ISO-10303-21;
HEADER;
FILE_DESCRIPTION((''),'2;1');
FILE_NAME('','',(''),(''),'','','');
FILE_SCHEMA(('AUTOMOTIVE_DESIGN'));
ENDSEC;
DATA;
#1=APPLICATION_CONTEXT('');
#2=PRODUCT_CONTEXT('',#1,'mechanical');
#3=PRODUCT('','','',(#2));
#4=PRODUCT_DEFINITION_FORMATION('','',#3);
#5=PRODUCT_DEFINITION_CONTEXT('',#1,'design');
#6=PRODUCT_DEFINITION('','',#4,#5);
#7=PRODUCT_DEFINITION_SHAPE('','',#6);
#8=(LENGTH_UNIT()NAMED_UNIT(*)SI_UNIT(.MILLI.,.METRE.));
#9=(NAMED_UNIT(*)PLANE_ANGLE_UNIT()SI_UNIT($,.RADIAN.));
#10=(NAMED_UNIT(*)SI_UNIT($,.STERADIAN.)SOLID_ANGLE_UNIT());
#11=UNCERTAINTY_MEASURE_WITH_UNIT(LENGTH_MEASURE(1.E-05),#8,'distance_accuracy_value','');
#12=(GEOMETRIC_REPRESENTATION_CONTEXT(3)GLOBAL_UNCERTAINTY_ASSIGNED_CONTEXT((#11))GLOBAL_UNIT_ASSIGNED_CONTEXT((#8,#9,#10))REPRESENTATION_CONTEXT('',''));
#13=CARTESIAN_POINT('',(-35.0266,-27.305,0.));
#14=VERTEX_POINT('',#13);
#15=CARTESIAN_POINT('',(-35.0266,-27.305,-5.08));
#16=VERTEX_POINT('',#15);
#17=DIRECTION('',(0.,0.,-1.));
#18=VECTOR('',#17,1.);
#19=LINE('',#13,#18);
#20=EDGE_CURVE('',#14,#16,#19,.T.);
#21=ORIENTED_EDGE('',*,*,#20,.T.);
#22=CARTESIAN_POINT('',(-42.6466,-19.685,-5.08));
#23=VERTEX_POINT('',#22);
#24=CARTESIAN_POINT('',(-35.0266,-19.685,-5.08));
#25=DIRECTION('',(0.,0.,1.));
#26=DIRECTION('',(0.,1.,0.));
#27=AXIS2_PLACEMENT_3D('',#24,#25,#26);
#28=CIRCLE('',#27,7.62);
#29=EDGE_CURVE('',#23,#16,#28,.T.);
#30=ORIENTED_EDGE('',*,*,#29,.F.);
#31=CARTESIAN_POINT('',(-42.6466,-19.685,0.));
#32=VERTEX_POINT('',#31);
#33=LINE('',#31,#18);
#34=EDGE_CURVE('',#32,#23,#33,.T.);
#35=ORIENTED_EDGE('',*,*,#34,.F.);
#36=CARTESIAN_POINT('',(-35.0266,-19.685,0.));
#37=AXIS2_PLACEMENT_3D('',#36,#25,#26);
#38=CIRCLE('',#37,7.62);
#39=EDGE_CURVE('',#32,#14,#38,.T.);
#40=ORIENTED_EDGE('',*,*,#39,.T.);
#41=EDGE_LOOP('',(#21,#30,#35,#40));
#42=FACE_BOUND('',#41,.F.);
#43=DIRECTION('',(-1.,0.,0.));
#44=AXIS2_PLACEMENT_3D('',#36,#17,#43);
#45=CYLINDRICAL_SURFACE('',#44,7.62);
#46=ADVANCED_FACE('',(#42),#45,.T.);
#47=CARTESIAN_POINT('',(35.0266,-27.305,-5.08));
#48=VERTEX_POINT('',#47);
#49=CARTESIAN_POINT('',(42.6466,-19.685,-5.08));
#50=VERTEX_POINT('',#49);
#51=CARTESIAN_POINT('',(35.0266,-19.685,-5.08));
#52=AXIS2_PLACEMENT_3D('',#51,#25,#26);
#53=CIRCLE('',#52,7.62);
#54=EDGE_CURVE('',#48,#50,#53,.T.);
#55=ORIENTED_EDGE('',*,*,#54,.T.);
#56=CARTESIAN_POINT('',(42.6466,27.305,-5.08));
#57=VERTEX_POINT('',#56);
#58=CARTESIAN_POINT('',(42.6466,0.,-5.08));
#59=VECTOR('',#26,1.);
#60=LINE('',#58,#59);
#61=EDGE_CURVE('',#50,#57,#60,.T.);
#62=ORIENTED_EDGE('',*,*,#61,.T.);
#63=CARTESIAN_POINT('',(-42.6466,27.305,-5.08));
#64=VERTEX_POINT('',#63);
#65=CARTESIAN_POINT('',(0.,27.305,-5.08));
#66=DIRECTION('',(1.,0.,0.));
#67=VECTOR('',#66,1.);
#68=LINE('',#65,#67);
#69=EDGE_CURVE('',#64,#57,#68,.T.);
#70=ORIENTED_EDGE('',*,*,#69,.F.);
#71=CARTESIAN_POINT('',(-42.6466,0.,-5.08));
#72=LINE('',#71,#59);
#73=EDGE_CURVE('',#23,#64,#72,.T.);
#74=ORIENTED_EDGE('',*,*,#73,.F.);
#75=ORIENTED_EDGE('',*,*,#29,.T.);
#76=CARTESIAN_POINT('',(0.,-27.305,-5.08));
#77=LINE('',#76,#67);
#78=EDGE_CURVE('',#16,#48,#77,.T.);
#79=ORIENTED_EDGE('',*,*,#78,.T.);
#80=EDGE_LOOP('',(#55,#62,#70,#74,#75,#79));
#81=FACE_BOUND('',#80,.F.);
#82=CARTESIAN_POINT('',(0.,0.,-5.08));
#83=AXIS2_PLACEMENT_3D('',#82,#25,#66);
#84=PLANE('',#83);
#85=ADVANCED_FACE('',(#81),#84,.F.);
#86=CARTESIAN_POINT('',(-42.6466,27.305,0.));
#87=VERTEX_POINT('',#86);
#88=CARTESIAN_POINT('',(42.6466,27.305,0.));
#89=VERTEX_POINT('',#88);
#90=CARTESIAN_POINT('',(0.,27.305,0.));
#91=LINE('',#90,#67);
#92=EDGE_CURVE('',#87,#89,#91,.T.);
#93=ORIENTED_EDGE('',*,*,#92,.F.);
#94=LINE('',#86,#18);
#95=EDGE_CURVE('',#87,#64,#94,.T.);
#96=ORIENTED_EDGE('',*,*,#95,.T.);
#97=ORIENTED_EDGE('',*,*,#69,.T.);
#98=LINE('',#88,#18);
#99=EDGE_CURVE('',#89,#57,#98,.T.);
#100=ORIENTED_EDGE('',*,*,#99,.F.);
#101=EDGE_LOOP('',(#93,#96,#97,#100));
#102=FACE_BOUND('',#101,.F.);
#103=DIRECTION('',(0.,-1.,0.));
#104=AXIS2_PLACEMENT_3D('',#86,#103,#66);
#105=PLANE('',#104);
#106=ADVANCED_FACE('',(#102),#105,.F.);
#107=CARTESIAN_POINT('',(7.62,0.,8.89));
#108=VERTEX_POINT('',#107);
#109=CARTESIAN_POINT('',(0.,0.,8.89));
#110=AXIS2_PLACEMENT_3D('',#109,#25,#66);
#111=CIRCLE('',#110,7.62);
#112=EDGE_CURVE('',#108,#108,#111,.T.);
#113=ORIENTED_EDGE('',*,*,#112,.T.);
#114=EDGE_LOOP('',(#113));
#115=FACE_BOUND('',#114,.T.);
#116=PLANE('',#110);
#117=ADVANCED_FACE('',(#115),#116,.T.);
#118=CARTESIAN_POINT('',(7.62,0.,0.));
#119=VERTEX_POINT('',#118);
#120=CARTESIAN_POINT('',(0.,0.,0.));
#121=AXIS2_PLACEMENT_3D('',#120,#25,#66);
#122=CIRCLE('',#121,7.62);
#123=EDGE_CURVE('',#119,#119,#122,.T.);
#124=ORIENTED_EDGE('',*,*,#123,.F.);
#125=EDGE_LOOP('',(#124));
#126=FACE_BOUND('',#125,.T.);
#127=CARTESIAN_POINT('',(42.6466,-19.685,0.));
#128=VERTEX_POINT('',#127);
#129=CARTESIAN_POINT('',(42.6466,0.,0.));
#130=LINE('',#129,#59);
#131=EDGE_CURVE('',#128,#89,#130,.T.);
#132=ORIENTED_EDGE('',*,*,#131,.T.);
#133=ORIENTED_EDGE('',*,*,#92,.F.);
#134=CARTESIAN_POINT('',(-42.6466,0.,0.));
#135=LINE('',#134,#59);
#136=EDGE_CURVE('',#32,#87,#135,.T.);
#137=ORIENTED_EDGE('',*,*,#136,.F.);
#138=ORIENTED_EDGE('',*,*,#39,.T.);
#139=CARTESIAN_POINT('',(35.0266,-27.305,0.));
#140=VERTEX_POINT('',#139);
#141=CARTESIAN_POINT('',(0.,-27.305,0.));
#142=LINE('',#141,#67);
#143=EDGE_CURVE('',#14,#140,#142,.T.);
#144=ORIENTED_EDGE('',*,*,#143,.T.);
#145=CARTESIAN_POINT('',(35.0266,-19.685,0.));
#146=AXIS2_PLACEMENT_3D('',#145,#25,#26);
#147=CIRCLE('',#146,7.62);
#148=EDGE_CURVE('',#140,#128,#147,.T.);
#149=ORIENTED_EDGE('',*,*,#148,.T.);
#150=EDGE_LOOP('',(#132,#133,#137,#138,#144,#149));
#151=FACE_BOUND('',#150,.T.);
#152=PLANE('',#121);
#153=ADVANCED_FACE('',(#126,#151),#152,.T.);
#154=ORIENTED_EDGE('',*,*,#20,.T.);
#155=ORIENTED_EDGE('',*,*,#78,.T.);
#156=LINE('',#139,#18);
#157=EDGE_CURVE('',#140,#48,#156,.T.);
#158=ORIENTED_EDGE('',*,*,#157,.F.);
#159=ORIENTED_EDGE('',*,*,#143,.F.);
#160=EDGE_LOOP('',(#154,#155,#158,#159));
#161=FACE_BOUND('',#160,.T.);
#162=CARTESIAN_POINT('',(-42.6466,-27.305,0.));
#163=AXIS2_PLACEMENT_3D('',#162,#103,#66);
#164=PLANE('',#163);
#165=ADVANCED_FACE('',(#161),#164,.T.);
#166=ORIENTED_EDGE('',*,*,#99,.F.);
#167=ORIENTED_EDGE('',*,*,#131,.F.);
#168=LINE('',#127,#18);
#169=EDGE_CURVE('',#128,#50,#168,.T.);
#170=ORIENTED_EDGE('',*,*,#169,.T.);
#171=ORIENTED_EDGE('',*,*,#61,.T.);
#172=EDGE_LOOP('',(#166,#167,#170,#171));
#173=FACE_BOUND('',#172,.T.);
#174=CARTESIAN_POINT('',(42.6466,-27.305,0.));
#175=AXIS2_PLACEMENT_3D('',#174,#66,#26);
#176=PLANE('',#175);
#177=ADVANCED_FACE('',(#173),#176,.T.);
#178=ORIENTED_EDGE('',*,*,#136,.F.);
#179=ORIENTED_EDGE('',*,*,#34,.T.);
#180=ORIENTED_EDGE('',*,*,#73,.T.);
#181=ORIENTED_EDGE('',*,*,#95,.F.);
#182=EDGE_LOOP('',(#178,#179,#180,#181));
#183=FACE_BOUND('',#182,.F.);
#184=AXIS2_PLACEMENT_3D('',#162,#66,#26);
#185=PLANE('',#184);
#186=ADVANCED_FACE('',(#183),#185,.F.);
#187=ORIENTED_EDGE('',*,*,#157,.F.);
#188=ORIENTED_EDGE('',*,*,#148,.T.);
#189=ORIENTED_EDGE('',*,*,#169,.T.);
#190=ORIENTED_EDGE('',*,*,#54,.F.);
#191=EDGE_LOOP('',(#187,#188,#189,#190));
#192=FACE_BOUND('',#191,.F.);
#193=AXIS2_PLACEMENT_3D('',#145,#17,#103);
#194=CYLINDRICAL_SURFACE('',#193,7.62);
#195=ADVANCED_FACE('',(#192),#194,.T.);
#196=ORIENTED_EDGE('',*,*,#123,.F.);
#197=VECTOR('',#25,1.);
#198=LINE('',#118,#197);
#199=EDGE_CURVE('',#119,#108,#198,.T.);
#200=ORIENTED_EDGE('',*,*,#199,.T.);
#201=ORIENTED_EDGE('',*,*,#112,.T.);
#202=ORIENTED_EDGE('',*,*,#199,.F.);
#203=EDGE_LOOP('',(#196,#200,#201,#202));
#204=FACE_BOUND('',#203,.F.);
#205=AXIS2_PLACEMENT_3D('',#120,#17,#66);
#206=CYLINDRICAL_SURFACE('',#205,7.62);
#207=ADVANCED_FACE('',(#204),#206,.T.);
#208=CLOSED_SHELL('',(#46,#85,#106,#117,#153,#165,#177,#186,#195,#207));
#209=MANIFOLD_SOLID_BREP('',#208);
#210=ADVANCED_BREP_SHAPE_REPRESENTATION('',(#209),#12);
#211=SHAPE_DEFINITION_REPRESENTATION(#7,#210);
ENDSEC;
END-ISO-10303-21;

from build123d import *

# Parameters (mm, degrees)
F0_R     = 7.62
F1_DEPTH = 8.89
F0_W     = 85.2932
F0_H     = 54.61
F2_DEPTH = 5.08
F3_R     = 7.62


with BuildPart() as f1:
    # F0 (on Top) → F1 (new body)
    with BuildSketch(Plane.XY):
        Circle(F0_R)
    extrude(amount=F1_DEPTH)

    # F0 (on Top) → F2 (join)
    with BuildSketch(Plane.XY):
        Rectangle(F0_W, F0_H)
        Circle(F0_R, mode=Mode.SUBTRACT)
        Circle(F0_R)
    extrude(amount=-F2_DEPTH)

    # F3
    f3_edges = [f1.edges().sort_by_distance(p)[0] for p in [
        (42.6466, -27.305, -2.54),
        (-42.6466, -27.305, -2.54),
    ]]
    fillet(f3_edges, radius=F3_R)


solid = f1.part
